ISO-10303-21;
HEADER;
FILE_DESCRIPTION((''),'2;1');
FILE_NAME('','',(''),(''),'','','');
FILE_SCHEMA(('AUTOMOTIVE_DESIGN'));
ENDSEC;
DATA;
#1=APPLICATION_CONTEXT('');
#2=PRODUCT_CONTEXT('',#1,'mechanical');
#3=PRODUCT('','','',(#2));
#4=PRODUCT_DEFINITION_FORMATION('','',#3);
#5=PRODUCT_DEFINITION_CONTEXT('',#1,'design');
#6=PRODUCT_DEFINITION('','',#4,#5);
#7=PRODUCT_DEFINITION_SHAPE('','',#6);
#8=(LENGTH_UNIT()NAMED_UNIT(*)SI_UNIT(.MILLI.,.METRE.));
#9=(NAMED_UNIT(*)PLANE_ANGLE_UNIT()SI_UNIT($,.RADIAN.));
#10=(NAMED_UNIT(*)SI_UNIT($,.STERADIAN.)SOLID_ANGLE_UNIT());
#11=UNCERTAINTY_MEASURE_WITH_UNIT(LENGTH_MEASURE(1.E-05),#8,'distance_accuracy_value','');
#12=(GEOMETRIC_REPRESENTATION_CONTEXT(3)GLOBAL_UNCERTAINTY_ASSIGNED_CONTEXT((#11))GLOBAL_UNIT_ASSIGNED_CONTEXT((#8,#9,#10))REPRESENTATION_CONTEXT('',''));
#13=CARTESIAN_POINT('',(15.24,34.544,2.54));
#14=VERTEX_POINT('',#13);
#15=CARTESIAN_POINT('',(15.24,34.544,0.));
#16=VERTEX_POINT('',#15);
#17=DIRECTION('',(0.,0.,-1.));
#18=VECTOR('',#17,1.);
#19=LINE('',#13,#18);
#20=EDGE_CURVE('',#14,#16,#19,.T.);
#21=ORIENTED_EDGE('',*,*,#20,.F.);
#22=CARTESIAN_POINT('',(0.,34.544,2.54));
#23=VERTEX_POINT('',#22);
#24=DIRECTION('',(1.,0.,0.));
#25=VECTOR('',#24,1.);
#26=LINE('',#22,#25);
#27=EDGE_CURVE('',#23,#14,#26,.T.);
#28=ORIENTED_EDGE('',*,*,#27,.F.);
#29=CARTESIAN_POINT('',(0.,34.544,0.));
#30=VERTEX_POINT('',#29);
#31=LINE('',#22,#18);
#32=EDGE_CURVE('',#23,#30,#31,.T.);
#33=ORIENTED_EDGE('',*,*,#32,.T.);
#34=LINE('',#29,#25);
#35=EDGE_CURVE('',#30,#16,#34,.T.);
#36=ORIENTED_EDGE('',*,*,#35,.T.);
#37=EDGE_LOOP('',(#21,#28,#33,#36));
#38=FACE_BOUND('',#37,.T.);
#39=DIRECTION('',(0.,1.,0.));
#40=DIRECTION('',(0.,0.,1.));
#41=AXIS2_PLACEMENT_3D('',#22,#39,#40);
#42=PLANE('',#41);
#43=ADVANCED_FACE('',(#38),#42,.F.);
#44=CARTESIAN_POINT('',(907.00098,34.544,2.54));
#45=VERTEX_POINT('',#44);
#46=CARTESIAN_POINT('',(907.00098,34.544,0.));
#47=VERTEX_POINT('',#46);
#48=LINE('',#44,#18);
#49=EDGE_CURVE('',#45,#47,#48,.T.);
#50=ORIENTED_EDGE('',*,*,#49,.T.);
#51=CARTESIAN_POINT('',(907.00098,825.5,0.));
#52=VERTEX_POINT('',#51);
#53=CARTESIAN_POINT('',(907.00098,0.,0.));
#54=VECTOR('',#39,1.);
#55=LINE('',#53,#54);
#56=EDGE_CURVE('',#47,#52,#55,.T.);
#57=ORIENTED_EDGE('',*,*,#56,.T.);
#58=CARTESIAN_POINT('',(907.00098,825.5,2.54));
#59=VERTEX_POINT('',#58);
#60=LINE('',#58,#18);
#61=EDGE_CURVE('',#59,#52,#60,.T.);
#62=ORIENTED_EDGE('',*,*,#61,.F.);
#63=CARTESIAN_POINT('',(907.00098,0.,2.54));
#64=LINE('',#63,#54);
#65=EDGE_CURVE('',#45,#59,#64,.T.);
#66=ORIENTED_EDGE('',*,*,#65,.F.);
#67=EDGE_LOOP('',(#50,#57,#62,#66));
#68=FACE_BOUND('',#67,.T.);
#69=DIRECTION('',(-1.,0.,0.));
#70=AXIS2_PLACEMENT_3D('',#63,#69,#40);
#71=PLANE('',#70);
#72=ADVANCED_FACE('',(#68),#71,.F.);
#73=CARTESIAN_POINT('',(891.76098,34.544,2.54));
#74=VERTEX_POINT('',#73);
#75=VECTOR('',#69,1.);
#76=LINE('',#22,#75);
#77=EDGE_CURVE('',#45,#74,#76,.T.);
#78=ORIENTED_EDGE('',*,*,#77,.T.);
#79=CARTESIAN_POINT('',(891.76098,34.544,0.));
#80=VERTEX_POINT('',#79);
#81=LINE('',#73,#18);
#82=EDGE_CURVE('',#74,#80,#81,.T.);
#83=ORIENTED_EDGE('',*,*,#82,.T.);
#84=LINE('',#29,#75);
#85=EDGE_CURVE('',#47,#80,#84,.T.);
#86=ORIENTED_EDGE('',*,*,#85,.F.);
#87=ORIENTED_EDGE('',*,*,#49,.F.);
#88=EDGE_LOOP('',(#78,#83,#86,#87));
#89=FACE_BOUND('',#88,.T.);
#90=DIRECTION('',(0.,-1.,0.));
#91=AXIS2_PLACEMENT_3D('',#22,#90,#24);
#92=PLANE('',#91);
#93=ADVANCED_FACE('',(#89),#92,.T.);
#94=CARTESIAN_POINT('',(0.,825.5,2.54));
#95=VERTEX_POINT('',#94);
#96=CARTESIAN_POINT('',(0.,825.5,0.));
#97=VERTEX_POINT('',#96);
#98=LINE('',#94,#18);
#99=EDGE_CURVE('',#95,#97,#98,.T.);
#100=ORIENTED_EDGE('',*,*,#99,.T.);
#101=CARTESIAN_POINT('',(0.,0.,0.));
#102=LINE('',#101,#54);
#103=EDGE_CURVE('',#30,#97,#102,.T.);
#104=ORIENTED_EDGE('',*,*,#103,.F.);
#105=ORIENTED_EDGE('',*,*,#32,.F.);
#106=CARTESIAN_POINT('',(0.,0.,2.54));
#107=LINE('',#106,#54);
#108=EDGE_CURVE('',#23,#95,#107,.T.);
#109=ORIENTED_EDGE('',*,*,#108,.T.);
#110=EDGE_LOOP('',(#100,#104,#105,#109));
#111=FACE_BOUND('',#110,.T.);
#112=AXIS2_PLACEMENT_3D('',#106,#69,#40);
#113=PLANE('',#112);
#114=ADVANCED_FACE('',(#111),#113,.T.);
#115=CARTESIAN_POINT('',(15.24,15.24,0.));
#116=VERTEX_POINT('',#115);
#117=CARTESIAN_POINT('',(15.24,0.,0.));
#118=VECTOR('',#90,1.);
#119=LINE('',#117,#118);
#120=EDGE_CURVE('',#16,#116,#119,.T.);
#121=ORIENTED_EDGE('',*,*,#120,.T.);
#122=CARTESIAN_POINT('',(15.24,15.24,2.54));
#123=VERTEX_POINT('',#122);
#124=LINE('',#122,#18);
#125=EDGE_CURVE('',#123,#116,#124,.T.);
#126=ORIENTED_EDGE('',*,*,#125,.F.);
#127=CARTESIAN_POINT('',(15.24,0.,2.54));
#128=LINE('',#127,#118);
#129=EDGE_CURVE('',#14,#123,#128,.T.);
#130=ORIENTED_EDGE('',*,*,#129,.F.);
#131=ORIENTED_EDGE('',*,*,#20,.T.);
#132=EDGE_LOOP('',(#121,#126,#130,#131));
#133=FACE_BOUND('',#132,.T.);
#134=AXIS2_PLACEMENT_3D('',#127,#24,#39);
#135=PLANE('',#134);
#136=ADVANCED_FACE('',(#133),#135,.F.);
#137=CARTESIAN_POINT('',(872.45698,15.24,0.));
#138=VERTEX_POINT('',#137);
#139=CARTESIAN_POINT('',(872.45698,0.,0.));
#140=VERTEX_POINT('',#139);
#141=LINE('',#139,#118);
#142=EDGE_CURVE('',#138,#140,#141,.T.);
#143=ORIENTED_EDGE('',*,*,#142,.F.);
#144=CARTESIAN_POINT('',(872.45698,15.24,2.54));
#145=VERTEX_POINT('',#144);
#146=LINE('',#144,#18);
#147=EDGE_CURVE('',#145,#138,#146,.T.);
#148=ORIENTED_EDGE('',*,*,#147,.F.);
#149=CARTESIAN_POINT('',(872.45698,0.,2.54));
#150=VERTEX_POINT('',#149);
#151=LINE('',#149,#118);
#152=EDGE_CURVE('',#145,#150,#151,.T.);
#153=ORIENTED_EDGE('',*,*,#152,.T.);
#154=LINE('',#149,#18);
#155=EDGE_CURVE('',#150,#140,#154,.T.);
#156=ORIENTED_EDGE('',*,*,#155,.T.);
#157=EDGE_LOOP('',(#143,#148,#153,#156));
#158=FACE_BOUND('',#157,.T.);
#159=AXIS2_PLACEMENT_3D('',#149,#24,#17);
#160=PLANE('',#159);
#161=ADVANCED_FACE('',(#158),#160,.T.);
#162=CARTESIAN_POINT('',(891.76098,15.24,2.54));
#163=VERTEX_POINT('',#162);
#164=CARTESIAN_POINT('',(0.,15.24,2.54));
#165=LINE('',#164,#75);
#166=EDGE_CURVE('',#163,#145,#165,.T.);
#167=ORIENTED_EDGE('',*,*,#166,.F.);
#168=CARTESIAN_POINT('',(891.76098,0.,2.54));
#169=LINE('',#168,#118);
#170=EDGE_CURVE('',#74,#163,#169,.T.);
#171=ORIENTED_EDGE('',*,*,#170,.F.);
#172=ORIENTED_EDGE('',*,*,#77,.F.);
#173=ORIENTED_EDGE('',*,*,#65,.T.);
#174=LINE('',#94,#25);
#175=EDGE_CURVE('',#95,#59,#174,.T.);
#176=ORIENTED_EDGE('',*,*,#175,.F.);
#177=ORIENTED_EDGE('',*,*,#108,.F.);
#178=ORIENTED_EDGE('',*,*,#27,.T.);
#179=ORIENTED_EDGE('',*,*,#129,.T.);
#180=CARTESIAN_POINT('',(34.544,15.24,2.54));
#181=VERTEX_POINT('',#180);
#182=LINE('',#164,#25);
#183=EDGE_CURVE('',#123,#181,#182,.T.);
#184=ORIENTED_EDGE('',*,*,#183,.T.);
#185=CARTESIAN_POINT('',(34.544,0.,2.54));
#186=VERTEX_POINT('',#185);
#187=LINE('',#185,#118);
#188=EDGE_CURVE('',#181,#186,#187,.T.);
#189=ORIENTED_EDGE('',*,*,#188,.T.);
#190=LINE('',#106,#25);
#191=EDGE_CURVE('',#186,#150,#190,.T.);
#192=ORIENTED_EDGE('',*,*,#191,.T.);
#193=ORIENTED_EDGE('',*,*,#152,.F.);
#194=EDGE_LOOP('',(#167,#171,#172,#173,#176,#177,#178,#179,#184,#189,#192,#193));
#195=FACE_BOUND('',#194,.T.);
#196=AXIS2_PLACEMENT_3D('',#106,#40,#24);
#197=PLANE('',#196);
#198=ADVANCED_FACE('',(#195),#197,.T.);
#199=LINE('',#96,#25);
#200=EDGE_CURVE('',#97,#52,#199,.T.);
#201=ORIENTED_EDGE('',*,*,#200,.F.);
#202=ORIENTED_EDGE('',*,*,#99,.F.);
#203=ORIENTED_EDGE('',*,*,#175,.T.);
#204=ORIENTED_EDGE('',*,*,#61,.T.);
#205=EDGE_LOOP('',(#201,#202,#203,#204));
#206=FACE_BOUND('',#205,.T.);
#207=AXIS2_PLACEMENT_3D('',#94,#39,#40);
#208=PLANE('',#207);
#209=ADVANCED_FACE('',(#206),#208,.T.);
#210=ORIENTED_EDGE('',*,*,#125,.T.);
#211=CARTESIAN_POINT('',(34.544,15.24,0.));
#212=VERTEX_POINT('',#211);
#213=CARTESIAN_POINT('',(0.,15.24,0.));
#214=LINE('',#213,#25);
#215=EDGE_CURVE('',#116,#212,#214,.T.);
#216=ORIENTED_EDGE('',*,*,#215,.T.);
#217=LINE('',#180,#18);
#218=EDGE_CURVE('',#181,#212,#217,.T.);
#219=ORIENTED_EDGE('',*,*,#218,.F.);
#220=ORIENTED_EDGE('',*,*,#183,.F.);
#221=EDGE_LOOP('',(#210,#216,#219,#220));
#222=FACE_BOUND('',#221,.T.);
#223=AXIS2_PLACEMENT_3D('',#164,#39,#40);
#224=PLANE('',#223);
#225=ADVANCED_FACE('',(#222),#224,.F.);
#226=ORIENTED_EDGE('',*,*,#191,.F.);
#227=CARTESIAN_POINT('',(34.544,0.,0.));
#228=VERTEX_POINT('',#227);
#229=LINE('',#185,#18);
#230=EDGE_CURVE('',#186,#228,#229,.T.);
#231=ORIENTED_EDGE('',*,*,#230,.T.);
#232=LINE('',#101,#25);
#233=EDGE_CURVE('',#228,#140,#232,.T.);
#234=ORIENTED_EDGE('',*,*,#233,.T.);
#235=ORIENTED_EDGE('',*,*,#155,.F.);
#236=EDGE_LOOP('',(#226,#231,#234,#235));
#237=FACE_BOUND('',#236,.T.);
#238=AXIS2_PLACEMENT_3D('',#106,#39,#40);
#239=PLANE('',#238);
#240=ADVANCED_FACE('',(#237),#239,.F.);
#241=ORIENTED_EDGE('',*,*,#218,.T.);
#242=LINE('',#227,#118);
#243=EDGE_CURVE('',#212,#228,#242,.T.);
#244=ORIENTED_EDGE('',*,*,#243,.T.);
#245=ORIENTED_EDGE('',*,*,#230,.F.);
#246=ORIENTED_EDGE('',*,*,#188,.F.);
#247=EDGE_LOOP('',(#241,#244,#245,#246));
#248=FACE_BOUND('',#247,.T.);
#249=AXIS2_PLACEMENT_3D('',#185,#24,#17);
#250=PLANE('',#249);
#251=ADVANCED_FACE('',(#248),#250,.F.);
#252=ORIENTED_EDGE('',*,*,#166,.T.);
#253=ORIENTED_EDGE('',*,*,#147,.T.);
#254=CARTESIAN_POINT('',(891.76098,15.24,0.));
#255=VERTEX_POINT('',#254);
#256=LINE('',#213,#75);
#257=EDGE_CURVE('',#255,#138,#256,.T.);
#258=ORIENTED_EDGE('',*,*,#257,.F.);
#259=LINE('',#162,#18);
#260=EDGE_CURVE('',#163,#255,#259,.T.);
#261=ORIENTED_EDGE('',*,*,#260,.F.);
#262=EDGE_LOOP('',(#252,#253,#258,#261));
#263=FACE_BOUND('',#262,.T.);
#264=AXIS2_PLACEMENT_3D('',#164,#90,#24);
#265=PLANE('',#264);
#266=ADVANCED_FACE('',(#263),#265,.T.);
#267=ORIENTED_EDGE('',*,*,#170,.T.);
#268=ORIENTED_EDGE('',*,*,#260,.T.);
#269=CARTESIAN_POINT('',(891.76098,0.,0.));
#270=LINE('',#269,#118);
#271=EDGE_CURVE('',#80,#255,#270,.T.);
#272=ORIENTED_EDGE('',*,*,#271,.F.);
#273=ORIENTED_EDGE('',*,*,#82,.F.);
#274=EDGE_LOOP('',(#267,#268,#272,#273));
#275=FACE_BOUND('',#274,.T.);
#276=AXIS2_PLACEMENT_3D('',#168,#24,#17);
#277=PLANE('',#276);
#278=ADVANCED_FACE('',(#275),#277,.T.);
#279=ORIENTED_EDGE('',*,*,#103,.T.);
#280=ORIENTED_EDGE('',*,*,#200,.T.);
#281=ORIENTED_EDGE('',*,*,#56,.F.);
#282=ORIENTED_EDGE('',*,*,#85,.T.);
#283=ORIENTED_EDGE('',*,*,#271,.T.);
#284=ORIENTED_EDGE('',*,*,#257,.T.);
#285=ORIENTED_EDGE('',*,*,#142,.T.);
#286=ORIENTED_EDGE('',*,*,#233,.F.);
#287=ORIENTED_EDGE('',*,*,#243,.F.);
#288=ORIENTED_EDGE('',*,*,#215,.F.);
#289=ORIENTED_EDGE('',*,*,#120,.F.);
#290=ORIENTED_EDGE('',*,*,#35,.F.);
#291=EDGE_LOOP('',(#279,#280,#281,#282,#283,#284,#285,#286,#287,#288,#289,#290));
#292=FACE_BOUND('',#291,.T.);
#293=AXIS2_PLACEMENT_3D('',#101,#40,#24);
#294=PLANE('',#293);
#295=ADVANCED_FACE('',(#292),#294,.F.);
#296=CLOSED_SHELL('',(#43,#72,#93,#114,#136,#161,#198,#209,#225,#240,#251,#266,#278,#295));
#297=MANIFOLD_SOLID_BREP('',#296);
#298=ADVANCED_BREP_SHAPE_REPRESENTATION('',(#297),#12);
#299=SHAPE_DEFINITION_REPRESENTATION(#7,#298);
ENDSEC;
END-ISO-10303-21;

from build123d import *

# Parameters (mm, degrees)
BOSS_EXTRUDE1_DEPTH = 2.54


with BuildPart() as part:
    # Sketch1 → Boss-Extrude1 (new body)
    with BuildSketch(Plane.XY):
        Polygon((0, 825.5), (0, 34.544), (15.24, 34.544), (15.24, 15.24), (34.544, 15.24), (34.544, 0), (872.45698, 0), (872.45698, 15.24), (891.76098, 15.24), (891.76098, 34.544), (907.00098, 34.544), (907.00098, 825.5), align=None)
    extrude(amount=BOSS_EXTRUDE1_DEPTH)


solid = part.part
